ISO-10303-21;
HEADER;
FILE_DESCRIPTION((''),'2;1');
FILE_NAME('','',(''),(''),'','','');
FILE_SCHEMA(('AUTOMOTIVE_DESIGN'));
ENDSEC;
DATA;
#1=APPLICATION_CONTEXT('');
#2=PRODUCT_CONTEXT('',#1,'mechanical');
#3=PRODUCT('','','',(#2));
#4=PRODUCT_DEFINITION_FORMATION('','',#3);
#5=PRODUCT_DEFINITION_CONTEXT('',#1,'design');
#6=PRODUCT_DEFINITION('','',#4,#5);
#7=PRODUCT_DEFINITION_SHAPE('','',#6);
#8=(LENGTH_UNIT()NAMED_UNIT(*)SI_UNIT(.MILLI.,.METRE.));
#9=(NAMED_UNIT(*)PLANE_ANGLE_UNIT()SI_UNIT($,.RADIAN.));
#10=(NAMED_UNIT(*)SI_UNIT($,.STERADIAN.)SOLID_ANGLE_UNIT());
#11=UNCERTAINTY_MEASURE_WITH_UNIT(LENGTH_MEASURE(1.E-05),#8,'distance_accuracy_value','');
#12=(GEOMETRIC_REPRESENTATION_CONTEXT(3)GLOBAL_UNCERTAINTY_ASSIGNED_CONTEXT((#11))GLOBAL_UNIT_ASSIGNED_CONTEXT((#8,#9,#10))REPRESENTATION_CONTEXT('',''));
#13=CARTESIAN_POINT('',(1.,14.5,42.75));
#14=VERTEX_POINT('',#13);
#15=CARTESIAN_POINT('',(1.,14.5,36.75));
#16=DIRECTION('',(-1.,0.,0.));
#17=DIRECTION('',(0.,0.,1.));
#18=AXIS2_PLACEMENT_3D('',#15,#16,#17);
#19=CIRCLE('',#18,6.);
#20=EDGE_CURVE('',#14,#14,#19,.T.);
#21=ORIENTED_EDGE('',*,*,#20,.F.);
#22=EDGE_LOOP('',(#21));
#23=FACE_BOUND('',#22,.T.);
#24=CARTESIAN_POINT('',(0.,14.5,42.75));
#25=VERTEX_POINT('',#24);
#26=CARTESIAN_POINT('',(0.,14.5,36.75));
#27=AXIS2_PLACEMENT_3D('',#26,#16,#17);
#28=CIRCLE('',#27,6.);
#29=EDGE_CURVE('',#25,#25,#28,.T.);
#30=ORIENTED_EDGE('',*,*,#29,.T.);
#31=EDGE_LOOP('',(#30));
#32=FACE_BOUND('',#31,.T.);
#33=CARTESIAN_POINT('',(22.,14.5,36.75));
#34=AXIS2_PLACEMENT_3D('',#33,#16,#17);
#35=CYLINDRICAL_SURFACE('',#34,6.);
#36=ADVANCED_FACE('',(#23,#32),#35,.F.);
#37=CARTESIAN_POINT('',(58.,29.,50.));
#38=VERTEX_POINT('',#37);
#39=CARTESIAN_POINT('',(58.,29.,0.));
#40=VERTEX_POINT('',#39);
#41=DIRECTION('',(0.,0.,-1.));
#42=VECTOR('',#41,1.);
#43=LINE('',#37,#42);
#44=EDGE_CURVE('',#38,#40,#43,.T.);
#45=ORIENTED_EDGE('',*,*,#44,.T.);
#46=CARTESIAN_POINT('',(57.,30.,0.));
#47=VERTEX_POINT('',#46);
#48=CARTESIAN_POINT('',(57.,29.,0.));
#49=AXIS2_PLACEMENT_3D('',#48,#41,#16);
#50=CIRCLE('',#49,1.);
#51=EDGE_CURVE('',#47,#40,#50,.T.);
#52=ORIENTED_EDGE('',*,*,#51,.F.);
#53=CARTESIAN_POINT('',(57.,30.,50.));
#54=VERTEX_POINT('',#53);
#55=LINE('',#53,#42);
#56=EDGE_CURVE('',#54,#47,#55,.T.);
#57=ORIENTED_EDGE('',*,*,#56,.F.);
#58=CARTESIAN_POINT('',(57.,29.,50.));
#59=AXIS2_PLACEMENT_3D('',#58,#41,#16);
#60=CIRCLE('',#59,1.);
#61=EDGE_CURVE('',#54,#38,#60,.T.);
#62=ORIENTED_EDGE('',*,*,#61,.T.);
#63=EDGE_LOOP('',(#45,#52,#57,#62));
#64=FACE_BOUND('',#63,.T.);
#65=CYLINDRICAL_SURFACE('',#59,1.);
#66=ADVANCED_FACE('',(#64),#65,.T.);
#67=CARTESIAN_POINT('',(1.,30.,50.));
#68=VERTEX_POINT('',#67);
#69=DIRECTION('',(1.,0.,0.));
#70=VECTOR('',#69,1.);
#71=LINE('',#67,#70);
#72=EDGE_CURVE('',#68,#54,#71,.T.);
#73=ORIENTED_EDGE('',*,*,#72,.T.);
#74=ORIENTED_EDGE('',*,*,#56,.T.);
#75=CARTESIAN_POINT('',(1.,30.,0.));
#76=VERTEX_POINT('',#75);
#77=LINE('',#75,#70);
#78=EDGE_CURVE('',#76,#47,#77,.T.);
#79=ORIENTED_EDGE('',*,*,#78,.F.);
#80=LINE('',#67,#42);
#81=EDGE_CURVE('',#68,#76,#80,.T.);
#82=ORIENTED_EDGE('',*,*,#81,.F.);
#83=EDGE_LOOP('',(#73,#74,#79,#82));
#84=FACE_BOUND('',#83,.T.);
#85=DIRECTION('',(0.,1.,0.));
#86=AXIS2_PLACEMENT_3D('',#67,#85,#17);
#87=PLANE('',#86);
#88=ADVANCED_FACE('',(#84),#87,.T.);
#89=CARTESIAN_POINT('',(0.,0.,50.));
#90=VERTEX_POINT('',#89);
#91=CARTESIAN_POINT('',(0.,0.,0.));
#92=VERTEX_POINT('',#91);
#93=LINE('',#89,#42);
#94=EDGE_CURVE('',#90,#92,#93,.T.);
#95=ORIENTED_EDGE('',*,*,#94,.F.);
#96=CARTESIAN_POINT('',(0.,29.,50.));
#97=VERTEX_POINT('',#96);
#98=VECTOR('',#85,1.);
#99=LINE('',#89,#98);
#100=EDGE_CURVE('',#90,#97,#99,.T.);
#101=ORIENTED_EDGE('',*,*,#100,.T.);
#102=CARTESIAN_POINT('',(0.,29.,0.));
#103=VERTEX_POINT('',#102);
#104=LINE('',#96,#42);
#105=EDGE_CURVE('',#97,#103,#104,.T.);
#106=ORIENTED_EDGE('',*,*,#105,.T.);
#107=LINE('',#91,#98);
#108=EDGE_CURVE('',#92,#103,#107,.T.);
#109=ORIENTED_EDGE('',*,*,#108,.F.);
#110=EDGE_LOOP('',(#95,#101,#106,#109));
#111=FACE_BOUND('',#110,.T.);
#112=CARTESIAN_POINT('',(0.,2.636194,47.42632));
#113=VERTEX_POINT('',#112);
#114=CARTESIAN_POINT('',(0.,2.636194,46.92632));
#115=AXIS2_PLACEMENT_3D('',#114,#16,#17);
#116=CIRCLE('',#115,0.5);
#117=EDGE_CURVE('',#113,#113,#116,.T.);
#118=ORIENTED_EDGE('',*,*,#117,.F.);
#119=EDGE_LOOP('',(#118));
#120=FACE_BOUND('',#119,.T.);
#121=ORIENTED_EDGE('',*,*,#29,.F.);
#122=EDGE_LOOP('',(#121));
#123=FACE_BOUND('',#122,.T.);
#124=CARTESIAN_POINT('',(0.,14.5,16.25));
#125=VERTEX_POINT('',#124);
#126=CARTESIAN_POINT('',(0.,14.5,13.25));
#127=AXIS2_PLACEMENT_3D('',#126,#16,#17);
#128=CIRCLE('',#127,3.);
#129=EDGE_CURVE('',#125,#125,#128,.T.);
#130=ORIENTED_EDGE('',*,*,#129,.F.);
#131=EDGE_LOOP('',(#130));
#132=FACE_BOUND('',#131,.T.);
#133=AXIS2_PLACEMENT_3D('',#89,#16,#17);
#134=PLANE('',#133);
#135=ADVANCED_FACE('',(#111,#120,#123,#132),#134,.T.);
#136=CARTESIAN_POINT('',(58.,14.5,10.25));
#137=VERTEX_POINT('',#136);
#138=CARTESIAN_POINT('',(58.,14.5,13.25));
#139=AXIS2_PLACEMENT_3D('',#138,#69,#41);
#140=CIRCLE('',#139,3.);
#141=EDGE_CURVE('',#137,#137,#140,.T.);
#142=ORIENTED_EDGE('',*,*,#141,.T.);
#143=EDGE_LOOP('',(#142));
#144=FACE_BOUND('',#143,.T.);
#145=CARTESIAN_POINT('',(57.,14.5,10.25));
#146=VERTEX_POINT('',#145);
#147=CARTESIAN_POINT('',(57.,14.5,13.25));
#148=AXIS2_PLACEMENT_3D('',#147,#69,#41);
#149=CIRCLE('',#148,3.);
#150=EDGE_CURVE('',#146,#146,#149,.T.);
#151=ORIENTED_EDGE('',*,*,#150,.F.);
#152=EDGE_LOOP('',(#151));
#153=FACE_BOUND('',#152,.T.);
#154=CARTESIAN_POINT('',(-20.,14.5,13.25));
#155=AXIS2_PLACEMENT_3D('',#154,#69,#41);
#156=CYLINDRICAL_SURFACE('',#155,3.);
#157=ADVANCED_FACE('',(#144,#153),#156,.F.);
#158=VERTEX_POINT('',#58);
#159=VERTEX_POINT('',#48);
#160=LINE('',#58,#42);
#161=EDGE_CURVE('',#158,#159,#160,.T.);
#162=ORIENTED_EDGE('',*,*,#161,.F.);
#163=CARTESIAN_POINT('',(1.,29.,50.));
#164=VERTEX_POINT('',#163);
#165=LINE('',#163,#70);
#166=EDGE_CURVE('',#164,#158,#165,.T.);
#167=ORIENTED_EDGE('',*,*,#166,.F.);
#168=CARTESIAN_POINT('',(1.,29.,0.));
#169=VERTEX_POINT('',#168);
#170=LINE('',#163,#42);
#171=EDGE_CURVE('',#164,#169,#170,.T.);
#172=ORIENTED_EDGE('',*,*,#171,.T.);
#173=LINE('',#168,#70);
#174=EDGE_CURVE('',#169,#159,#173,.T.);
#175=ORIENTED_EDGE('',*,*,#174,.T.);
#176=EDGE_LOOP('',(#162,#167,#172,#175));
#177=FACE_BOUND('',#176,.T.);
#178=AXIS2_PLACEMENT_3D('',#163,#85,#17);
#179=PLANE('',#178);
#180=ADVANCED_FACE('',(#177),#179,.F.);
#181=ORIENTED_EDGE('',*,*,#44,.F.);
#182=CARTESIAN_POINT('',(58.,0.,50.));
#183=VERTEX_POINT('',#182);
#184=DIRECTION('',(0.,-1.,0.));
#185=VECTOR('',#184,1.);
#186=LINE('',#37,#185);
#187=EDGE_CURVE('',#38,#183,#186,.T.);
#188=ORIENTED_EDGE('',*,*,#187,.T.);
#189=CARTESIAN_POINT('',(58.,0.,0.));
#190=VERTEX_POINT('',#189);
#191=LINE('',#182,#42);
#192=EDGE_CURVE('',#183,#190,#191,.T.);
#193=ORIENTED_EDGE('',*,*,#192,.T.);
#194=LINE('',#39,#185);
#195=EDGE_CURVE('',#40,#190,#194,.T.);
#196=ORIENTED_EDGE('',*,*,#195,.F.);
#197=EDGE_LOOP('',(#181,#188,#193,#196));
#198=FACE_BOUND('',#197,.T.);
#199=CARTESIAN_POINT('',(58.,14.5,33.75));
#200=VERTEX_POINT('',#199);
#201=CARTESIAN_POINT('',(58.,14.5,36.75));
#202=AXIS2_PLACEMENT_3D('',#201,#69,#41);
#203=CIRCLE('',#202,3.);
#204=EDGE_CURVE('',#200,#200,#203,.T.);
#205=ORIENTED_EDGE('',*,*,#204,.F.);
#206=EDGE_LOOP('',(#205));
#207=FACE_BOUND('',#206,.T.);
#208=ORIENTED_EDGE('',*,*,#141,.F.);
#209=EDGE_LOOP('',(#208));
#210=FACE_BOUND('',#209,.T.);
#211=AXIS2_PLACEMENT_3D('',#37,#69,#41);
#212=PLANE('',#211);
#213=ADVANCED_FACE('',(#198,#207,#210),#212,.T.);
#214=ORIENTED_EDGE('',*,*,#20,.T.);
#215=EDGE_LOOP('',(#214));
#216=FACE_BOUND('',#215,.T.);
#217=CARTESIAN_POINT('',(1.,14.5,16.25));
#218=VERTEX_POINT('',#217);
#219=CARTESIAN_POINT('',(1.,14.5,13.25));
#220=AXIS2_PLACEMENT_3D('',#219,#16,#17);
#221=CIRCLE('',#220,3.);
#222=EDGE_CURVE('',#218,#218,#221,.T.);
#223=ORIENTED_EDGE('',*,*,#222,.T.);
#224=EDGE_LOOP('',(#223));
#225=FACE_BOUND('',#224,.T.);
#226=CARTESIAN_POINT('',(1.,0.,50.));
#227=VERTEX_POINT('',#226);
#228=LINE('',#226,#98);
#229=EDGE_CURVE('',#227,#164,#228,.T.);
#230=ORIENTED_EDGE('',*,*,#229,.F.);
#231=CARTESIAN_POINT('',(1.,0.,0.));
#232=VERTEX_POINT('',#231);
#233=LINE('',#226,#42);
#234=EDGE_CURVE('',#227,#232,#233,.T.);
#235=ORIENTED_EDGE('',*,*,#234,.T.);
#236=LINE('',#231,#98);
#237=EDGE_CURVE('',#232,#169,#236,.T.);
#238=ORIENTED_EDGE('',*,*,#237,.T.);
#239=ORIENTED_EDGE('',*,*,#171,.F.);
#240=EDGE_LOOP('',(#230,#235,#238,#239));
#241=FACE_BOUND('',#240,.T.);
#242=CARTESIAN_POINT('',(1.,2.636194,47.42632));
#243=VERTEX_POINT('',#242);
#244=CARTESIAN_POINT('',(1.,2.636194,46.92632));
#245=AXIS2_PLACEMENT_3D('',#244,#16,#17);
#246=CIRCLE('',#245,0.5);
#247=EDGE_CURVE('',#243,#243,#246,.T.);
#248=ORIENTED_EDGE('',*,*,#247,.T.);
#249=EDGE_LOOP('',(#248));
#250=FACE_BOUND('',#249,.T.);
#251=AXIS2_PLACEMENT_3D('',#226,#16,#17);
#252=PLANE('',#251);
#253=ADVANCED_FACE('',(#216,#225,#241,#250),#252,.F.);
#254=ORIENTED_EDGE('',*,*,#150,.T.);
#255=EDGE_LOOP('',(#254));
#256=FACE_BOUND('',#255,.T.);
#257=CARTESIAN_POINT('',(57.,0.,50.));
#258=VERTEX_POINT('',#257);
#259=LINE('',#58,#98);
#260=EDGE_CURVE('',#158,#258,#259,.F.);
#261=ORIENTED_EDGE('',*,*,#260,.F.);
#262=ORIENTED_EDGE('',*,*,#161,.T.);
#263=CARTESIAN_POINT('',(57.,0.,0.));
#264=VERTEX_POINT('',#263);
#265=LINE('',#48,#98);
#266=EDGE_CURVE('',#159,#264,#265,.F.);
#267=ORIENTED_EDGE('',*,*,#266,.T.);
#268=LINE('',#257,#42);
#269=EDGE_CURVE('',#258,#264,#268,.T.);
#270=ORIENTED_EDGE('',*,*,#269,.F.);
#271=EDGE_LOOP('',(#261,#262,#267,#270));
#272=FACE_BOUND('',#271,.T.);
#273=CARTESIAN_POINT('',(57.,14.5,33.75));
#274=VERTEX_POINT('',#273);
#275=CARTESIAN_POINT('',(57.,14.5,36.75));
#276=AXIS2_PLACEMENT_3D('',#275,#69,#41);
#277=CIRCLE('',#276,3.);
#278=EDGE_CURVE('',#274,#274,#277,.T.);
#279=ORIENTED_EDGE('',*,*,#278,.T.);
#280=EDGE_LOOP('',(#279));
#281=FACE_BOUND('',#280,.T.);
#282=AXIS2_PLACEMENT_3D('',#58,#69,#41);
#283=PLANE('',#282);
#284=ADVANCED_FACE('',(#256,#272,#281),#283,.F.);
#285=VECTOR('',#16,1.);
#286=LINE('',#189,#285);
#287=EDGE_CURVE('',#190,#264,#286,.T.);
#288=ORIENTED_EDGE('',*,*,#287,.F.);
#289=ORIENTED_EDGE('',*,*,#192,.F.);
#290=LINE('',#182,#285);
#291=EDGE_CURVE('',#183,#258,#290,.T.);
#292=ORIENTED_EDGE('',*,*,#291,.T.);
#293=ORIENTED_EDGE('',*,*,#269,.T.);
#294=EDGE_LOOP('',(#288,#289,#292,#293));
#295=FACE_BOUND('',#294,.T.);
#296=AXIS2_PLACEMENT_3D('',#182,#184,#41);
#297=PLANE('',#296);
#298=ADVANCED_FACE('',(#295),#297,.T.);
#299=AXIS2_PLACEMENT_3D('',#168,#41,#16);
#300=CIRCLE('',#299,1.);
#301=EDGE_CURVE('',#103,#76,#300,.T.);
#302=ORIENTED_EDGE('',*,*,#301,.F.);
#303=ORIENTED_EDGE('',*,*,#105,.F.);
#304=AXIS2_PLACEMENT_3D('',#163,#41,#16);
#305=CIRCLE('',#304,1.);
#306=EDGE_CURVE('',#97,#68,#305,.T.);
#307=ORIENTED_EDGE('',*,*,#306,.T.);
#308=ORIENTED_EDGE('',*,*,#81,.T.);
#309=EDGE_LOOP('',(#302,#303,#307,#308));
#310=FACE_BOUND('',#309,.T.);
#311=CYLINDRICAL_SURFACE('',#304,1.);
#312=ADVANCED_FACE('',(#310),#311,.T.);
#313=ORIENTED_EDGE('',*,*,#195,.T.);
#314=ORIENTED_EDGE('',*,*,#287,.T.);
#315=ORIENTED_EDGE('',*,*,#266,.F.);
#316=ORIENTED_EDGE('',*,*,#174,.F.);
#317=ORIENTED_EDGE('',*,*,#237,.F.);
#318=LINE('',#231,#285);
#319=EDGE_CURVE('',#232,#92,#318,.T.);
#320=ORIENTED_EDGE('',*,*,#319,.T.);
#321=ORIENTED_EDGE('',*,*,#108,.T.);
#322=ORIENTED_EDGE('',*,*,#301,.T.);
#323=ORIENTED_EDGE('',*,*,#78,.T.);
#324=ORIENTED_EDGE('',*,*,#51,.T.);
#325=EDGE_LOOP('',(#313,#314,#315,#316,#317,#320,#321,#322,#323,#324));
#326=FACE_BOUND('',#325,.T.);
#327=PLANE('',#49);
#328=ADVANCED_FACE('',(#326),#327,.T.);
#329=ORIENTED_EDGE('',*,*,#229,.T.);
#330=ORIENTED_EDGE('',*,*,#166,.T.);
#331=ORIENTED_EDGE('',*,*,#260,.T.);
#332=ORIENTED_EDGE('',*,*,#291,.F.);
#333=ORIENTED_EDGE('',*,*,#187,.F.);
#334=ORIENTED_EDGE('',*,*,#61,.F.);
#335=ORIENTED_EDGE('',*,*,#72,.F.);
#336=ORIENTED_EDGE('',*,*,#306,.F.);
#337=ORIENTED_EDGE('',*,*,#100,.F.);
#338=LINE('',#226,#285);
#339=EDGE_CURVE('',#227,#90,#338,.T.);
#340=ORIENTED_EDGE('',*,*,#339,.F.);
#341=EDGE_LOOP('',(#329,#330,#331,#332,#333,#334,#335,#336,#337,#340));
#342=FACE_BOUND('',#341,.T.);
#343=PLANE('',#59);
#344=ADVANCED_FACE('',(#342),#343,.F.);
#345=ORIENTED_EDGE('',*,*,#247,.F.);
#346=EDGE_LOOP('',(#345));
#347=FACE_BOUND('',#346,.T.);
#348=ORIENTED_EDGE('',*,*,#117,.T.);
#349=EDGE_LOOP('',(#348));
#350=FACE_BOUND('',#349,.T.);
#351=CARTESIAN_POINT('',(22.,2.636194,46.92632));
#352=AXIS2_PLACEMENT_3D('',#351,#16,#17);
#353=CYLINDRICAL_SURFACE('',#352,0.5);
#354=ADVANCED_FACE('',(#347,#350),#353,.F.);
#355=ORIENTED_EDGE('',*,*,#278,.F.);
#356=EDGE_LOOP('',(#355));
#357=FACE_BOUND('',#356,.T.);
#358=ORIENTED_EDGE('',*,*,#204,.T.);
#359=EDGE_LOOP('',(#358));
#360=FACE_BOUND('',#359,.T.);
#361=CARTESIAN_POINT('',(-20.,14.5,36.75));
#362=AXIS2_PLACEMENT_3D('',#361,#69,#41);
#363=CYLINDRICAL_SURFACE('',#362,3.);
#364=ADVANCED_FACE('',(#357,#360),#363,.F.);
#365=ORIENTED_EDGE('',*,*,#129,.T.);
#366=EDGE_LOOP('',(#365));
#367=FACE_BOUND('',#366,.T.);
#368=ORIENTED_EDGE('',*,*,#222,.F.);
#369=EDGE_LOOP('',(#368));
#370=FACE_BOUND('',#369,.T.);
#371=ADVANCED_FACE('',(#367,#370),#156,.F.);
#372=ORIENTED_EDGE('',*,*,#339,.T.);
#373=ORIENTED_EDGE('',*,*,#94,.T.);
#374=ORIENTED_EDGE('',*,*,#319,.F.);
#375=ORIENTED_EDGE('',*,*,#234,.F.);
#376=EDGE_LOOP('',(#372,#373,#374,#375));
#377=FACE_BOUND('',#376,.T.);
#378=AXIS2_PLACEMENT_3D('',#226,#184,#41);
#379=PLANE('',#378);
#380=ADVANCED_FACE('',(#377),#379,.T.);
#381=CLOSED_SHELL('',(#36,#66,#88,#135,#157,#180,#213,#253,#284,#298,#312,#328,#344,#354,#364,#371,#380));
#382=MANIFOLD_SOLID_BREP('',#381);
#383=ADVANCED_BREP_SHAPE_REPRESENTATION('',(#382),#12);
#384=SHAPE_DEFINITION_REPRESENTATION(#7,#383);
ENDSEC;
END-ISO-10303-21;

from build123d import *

# Parameters (mm, degrees)
EKSTR_ZYON_NCE1_DEPTH = 50
IZIM2_R               = 3
KES_EKSTR_ZYON1_DEPTH = 78
IZIM3_R               = 0.5
KES_EKSTR_ZYON2_DEPTH = 22
IZIM4_R               = 6
KES_EKSTR_ZYON3_DEPTH = 22


with BuildPart() as part:
    # Çizim1 → Ekstrüzyon-İnce1 (new body)
    with BuildSketch(Plane.XY):
        with BuildLine():
            Line((0, 0), (0, 29))
            ThreePointArc((0, 29), (0.292893219, 29.707106781), (1, 30))
            Line((1, 30), (57, 30))
            ThreePointArc((57, 30), (57.707106781, 29.707106781), (58, 29))
            Line((58, 29), (58, 0))
            Line((58, 0), (57, 0))
            Line((57, 0), (57, 29))
            Line((57, 29), (1, 29))
            Line((1, 29), (1, 0))
            Line((1, 0), (0, 0))
        make_face()
    extrude(amount=EKSTR_ZYON_NCE1_DEPTH)

    # Çizim2 → Kes-Ekstrüzyon1 (cut)
    with BuildSketch(Plane(origin=(58, 0, 0), x_dir=(0, 0, -1), z_dir=(1, 0, 0))):
        with Locations((-36.75, 14.5)):
            Circle(IZIM2_R)
        with Locations((-13.25, 14.5)):
            Circle(IZIM2_R)
    extrude(amount=-KES_EKSTR_ZYON1_DEPTH, mode=Mode.SUBTRACT)

    # Çizim3 → Kes-Ekstrüzyon2 (cut)
    with BuildSketch(Plane.ZY):
        with Locations((46.926319902, 2.636193895)):
            Circle(IZIM3_R)
    extrude(amount=-KES_EKSTR_ZYON2_DEPTH, mode=Mode.SUBTRACT)

    # Çizim4 → Kes-Ekstrüzyon3 (cut)
    with BuildSketch(Plane.ZY):
        with Locations((36.75, 14.5)):
            Circle(IZIM4_R)
    extrude(amount=-KES_EKSTR_ZYON3_DEPTH, mode=Mode.SUBTRACT)


solid = part.part
